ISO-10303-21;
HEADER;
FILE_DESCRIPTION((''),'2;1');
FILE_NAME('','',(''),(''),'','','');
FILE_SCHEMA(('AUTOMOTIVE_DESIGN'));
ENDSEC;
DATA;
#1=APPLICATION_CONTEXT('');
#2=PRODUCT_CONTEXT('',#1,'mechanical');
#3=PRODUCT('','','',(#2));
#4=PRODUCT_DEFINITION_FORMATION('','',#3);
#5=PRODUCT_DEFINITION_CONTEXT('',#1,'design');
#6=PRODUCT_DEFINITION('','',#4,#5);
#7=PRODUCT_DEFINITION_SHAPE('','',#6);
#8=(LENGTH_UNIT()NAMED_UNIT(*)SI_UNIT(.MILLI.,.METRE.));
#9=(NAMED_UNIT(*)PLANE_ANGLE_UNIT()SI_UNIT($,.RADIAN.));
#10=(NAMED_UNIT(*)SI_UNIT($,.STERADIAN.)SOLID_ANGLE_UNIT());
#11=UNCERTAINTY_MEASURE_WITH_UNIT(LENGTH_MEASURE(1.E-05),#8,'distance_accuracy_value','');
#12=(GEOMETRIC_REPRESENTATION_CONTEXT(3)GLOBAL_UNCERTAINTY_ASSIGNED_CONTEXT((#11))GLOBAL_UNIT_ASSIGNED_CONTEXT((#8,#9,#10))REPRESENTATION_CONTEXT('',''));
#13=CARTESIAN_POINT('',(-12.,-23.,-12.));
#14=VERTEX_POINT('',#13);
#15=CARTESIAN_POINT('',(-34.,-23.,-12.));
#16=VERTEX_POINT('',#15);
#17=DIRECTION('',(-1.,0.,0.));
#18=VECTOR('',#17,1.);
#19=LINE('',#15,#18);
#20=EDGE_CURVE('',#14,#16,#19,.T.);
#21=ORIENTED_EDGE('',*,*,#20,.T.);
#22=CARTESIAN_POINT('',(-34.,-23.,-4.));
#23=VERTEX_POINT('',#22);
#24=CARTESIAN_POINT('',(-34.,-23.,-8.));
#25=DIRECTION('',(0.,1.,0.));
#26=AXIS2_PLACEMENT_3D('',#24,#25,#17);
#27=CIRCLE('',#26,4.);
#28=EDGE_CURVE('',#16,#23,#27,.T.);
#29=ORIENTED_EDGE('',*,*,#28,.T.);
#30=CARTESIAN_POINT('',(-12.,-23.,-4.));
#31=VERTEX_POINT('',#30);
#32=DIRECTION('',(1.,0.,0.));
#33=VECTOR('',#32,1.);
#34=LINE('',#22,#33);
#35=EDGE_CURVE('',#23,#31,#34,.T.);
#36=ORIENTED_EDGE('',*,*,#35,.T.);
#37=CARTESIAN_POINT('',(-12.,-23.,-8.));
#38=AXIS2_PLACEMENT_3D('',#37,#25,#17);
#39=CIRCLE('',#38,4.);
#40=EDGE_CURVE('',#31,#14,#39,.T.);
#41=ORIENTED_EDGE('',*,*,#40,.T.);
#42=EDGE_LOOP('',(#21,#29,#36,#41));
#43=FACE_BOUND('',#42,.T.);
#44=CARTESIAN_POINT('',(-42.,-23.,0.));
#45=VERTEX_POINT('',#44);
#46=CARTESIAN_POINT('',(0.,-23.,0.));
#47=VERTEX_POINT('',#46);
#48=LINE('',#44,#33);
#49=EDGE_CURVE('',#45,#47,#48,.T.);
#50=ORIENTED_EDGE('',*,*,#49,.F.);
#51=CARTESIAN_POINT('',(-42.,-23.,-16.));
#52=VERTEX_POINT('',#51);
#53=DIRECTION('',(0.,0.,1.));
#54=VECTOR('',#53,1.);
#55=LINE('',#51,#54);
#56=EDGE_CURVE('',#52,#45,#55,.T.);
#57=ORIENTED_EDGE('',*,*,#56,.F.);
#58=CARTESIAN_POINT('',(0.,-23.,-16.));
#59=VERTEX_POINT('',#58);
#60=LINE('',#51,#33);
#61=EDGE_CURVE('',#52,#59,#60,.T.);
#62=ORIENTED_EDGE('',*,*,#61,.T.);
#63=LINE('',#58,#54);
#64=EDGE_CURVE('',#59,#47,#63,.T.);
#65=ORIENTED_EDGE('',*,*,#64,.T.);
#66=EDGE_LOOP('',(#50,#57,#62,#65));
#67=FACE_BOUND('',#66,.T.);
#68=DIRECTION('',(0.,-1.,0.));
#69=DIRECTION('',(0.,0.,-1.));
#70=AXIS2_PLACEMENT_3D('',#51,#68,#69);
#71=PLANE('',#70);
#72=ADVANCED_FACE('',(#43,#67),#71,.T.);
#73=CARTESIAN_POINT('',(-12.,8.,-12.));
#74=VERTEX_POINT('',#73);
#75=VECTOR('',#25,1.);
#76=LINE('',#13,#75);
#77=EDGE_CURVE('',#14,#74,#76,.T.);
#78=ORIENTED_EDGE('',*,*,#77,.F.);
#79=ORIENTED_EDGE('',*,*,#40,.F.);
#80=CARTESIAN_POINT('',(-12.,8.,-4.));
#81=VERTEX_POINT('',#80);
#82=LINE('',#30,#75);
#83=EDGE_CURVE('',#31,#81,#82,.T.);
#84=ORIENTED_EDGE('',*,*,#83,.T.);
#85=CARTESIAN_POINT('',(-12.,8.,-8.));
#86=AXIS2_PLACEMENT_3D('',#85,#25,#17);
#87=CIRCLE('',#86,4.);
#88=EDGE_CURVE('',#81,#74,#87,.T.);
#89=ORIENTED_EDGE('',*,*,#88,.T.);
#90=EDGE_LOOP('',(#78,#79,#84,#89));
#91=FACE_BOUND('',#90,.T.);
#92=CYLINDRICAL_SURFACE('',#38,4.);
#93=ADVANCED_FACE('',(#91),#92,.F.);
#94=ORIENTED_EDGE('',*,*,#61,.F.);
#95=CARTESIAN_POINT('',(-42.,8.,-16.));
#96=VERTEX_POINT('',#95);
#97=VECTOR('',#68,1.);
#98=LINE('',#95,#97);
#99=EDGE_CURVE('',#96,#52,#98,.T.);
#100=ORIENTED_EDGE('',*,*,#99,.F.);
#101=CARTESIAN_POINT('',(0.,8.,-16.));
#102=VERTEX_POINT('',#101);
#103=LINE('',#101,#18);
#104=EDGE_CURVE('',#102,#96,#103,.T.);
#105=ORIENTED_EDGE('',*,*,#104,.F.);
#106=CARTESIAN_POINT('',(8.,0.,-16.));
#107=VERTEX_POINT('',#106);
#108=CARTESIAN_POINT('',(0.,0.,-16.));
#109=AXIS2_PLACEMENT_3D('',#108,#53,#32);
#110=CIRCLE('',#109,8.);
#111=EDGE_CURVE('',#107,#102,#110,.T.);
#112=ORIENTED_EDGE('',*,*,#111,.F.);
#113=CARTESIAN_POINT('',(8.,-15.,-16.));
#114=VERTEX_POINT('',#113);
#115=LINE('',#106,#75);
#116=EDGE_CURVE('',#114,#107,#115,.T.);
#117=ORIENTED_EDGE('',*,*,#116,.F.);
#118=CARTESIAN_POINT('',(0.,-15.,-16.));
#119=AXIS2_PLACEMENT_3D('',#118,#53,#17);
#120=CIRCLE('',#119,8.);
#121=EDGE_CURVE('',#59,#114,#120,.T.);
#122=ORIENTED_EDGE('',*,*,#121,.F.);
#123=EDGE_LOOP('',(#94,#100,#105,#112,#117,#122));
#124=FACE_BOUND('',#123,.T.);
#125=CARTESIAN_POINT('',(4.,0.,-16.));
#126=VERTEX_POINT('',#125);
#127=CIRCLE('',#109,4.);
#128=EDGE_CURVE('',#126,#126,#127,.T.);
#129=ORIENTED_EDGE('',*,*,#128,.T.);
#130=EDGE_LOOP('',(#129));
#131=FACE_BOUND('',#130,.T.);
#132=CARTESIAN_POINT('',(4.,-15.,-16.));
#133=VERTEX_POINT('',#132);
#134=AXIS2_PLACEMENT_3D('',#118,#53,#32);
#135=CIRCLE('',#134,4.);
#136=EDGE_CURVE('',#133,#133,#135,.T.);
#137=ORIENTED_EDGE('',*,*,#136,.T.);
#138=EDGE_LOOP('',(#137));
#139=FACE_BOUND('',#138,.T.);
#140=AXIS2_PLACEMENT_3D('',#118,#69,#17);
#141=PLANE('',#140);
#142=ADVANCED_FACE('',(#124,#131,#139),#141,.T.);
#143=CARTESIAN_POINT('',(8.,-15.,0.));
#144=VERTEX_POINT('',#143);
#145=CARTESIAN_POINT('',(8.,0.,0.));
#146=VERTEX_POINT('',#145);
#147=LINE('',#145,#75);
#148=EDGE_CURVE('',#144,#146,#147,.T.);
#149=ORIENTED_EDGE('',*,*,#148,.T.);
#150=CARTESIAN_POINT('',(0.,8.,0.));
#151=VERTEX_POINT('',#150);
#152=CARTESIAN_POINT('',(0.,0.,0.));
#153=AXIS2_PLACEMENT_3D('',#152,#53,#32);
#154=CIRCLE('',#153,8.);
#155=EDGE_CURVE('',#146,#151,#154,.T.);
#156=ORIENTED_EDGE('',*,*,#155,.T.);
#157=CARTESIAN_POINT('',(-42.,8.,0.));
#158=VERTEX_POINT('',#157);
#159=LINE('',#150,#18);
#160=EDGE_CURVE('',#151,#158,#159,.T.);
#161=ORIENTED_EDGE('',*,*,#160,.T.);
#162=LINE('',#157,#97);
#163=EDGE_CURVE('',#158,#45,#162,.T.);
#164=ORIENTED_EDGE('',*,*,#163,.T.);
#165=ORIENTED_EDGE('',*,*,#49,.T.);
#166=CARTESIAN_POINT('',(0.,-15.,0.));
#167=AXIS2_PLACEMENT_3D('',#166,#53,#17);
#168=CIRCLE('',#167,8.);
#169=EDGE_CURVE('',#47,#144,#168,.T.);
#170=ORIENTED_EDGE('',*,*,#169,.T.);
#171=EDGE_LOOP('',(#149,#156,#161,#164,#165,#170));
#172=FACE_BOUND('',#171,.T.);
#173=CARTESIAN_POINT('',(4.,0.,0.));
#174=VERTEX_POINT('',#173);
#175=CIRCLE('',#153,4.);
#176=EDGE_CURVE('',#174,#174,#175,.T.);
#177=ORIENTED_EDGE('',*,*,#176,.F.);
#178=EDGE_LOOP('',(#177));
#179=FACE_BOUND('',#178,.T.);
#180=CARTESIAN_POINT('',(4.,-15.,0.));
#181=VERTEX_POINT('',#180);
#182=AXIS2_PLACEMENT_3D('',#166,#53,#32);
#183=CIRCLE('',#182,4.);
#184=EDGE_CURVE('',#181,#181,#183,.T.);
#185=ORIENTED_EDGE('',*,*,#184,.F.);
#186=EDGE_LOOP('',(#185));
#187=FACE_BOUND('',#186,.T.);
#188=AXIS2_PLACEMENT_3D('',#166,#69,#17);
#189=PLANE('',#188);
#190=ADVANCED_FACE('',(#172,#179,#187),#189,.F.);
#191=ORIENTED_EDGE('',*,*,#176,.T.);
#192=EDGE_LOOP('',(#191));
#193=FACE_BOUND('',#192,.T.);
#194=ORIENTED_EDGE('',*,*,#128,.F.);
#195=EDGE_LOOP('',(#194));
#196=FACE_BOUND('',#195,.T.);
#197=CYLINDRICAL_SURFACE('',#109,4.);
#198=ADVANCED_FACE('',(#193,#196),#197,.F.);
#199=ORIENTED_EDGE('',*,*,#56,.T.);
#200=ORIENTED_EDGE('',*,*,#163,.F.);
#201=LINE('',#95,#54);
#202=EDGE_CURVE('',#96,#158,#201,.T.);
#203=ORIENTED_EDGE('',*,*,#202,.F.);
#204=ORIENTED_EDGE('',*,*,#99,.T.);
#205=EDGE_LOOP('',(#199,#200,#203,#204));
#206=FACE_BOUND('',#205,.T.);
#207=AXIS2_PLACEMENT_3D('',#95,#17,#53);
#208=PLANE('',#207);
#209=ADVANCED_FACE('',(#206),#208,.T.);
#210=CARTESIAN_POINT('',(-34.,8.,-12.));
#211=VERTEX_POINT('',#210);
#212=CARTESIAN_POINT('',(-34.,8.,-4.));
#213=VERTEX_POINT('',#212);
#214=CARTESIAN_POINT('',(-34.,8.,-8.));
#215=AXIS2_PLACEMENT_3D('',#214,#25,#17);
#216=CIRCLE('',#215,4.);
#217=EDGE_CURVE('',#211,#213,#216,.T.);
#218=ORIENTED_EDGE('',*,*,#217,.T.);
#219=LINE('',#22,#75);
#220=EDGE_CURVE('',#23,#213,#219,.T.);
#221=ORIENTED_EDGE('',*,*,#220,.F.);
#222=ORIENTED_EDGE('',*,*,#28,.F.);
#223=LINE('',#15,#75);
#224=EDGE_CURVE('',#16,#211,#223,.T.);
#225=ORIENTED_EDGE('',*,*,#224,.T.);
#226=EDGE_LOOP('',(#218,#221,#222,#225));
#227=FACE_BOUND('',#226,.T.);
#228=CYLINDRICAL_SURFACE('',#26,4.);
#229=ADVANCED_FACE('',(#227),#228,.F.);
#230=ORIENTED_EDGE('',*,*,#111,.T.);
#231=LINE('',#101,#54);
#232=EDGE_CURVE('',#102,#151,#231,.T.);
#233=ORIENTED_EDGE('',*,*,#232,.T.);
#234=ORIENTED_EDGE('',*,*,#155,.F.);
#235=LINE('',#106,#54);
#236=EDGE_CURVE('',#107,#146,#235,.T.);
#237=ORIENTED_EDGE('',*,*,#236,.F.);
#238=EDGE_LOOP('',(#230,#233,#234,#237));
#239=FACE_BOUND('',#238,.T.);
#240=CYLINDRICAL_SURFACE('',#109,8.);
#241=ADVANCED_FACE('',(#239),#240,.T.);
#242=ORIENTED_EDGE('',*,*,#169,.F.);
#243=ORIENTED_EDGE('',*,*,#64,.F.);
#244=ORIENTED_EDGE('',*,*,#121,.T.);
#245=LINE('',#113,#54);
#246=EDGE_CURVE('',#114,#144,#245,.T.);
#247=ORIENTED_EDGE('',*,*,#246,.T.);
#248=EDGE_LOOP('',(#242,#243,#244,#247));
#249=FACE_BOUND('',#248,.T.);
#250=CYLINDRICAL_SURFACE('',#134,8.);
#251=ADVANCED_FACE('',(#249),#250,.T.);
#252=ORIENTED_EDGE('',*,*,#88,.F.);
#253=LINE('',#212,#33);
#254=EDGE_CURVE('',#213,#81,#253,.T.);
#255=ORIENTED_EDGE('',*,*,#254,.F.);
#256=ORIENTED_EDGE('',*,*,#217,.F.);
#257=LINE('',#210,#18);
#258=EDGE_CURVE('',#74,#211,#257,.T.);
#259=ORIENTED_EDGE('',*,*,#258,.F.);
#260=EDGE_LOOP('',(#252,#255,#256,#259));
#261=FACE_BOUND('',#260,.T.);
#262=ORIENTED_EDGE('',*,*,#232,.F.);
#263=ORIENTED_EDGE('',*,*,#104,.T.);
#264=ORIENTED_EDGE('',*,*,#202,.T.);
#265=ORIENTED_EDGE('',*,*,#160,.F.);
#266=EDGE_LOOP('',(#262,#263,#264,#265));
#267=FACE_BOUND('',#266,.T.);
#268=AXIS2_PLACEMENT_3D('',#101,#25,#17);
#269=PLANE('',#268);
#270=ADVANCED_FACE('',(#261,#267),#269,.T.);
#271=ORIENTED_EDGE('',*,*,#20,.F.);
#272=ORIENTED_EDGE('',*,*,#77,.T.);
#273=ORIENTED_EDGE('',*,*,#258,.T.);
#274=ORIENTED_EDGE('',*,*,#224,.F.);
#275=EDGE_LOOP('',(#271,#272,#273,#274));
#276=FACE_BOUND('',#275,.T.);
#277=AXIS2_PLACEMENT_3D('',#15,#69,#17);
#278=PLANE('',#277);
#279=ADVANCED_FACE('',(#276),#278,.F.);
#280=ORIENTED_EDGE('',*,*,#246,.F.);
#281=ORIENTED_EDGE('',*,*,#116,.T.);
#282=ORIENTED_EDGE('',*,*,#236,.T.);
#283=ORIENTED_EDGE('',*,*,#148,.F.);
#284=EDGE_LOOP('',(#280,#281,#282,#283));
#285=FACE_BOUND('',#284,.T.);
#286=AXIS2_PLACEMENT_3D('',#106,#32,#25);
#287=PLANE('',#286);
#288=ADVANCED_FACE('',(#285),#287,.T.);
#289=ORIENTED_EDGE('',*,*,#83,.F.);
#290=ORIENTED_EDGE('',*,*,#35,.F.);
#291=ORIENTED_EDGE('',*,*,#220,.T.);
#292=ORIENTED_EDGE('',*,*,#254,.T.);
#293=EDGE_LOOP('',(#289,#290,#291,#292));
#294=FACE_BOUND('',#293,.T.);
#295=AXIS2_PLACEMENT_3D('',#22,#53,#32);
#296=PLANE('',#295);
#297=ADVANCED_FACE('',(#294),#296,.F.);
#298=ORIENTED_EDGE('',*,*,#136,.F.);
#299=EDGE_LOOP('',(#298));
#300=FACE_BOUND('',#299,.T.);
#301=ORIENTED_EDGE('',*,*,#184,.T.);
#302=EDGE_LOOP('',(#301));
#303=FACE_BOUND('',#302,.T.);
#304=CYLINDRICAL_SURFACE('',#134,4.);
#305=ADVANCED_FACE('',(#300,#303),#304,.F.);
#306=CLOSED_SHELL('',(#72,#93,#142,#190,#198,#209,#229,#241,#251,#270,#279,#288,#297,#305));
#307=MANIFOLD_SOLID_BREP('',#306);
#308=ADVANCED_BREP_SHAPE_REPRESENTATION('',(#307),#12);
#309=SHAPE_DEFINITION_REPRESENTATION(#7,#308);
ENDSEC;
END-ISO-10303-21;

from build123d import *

# Parameters (mm, degrees)
SKETCH1_R           = 4
BOSS_EXTRUDE1_DEPTH = 16
CUT_EXTRUDE1_DEPTH  = 55.598534779


with BuildPart() as part:
    # Sketch1 → Boss-Extrude1 (new body)
    with BuildSketch(Plane.XY):
        with BuildLine():
            Line((8, 0), (8, -15))
            ThreePointArc((8, -15), (5.656854249, -20.656854249), (0, -23))
            Line((0, -23), (-42, -23))
            Line((-42, -23), (-42, 8))
            Line((-42, 8), (0, 8))
            ThreePointArc((0, 8), (5.656854249, 5.656854249), (8, 0))
        make_face()
        Circle(SKETCH1_R, mode=Mode.SUBTRACT)
        with Locations((0, -15)):
            Circle(SKETCH1_R, mode=Mode.SUBTRACT)
    extrude(amount=-BOSS_EXTRUDE1_DEPTH)

    # Sketch2 → Cut-Extrude1 (cut, through all)
    with BuildSketch(Plane(origin=(0, 8, 0), x_dir=(1, 0, 0), z_dir=(0, 1, 0))):
        with BuildLine():
            Line((-34, 12), (-12, 12))
            ThreePointArc((-12, 12), (-8, 8), (-12, 4))
            Line((-12, 4), (-34, 4))
            ThreePointArc((-34, 4), (-38, 8), (-34, 12))
        make_face()
    extrude(amount=-CUT_EXTRUDE1_DEPTH, mode=Mode.SUBTRACT)


solid = part.part
